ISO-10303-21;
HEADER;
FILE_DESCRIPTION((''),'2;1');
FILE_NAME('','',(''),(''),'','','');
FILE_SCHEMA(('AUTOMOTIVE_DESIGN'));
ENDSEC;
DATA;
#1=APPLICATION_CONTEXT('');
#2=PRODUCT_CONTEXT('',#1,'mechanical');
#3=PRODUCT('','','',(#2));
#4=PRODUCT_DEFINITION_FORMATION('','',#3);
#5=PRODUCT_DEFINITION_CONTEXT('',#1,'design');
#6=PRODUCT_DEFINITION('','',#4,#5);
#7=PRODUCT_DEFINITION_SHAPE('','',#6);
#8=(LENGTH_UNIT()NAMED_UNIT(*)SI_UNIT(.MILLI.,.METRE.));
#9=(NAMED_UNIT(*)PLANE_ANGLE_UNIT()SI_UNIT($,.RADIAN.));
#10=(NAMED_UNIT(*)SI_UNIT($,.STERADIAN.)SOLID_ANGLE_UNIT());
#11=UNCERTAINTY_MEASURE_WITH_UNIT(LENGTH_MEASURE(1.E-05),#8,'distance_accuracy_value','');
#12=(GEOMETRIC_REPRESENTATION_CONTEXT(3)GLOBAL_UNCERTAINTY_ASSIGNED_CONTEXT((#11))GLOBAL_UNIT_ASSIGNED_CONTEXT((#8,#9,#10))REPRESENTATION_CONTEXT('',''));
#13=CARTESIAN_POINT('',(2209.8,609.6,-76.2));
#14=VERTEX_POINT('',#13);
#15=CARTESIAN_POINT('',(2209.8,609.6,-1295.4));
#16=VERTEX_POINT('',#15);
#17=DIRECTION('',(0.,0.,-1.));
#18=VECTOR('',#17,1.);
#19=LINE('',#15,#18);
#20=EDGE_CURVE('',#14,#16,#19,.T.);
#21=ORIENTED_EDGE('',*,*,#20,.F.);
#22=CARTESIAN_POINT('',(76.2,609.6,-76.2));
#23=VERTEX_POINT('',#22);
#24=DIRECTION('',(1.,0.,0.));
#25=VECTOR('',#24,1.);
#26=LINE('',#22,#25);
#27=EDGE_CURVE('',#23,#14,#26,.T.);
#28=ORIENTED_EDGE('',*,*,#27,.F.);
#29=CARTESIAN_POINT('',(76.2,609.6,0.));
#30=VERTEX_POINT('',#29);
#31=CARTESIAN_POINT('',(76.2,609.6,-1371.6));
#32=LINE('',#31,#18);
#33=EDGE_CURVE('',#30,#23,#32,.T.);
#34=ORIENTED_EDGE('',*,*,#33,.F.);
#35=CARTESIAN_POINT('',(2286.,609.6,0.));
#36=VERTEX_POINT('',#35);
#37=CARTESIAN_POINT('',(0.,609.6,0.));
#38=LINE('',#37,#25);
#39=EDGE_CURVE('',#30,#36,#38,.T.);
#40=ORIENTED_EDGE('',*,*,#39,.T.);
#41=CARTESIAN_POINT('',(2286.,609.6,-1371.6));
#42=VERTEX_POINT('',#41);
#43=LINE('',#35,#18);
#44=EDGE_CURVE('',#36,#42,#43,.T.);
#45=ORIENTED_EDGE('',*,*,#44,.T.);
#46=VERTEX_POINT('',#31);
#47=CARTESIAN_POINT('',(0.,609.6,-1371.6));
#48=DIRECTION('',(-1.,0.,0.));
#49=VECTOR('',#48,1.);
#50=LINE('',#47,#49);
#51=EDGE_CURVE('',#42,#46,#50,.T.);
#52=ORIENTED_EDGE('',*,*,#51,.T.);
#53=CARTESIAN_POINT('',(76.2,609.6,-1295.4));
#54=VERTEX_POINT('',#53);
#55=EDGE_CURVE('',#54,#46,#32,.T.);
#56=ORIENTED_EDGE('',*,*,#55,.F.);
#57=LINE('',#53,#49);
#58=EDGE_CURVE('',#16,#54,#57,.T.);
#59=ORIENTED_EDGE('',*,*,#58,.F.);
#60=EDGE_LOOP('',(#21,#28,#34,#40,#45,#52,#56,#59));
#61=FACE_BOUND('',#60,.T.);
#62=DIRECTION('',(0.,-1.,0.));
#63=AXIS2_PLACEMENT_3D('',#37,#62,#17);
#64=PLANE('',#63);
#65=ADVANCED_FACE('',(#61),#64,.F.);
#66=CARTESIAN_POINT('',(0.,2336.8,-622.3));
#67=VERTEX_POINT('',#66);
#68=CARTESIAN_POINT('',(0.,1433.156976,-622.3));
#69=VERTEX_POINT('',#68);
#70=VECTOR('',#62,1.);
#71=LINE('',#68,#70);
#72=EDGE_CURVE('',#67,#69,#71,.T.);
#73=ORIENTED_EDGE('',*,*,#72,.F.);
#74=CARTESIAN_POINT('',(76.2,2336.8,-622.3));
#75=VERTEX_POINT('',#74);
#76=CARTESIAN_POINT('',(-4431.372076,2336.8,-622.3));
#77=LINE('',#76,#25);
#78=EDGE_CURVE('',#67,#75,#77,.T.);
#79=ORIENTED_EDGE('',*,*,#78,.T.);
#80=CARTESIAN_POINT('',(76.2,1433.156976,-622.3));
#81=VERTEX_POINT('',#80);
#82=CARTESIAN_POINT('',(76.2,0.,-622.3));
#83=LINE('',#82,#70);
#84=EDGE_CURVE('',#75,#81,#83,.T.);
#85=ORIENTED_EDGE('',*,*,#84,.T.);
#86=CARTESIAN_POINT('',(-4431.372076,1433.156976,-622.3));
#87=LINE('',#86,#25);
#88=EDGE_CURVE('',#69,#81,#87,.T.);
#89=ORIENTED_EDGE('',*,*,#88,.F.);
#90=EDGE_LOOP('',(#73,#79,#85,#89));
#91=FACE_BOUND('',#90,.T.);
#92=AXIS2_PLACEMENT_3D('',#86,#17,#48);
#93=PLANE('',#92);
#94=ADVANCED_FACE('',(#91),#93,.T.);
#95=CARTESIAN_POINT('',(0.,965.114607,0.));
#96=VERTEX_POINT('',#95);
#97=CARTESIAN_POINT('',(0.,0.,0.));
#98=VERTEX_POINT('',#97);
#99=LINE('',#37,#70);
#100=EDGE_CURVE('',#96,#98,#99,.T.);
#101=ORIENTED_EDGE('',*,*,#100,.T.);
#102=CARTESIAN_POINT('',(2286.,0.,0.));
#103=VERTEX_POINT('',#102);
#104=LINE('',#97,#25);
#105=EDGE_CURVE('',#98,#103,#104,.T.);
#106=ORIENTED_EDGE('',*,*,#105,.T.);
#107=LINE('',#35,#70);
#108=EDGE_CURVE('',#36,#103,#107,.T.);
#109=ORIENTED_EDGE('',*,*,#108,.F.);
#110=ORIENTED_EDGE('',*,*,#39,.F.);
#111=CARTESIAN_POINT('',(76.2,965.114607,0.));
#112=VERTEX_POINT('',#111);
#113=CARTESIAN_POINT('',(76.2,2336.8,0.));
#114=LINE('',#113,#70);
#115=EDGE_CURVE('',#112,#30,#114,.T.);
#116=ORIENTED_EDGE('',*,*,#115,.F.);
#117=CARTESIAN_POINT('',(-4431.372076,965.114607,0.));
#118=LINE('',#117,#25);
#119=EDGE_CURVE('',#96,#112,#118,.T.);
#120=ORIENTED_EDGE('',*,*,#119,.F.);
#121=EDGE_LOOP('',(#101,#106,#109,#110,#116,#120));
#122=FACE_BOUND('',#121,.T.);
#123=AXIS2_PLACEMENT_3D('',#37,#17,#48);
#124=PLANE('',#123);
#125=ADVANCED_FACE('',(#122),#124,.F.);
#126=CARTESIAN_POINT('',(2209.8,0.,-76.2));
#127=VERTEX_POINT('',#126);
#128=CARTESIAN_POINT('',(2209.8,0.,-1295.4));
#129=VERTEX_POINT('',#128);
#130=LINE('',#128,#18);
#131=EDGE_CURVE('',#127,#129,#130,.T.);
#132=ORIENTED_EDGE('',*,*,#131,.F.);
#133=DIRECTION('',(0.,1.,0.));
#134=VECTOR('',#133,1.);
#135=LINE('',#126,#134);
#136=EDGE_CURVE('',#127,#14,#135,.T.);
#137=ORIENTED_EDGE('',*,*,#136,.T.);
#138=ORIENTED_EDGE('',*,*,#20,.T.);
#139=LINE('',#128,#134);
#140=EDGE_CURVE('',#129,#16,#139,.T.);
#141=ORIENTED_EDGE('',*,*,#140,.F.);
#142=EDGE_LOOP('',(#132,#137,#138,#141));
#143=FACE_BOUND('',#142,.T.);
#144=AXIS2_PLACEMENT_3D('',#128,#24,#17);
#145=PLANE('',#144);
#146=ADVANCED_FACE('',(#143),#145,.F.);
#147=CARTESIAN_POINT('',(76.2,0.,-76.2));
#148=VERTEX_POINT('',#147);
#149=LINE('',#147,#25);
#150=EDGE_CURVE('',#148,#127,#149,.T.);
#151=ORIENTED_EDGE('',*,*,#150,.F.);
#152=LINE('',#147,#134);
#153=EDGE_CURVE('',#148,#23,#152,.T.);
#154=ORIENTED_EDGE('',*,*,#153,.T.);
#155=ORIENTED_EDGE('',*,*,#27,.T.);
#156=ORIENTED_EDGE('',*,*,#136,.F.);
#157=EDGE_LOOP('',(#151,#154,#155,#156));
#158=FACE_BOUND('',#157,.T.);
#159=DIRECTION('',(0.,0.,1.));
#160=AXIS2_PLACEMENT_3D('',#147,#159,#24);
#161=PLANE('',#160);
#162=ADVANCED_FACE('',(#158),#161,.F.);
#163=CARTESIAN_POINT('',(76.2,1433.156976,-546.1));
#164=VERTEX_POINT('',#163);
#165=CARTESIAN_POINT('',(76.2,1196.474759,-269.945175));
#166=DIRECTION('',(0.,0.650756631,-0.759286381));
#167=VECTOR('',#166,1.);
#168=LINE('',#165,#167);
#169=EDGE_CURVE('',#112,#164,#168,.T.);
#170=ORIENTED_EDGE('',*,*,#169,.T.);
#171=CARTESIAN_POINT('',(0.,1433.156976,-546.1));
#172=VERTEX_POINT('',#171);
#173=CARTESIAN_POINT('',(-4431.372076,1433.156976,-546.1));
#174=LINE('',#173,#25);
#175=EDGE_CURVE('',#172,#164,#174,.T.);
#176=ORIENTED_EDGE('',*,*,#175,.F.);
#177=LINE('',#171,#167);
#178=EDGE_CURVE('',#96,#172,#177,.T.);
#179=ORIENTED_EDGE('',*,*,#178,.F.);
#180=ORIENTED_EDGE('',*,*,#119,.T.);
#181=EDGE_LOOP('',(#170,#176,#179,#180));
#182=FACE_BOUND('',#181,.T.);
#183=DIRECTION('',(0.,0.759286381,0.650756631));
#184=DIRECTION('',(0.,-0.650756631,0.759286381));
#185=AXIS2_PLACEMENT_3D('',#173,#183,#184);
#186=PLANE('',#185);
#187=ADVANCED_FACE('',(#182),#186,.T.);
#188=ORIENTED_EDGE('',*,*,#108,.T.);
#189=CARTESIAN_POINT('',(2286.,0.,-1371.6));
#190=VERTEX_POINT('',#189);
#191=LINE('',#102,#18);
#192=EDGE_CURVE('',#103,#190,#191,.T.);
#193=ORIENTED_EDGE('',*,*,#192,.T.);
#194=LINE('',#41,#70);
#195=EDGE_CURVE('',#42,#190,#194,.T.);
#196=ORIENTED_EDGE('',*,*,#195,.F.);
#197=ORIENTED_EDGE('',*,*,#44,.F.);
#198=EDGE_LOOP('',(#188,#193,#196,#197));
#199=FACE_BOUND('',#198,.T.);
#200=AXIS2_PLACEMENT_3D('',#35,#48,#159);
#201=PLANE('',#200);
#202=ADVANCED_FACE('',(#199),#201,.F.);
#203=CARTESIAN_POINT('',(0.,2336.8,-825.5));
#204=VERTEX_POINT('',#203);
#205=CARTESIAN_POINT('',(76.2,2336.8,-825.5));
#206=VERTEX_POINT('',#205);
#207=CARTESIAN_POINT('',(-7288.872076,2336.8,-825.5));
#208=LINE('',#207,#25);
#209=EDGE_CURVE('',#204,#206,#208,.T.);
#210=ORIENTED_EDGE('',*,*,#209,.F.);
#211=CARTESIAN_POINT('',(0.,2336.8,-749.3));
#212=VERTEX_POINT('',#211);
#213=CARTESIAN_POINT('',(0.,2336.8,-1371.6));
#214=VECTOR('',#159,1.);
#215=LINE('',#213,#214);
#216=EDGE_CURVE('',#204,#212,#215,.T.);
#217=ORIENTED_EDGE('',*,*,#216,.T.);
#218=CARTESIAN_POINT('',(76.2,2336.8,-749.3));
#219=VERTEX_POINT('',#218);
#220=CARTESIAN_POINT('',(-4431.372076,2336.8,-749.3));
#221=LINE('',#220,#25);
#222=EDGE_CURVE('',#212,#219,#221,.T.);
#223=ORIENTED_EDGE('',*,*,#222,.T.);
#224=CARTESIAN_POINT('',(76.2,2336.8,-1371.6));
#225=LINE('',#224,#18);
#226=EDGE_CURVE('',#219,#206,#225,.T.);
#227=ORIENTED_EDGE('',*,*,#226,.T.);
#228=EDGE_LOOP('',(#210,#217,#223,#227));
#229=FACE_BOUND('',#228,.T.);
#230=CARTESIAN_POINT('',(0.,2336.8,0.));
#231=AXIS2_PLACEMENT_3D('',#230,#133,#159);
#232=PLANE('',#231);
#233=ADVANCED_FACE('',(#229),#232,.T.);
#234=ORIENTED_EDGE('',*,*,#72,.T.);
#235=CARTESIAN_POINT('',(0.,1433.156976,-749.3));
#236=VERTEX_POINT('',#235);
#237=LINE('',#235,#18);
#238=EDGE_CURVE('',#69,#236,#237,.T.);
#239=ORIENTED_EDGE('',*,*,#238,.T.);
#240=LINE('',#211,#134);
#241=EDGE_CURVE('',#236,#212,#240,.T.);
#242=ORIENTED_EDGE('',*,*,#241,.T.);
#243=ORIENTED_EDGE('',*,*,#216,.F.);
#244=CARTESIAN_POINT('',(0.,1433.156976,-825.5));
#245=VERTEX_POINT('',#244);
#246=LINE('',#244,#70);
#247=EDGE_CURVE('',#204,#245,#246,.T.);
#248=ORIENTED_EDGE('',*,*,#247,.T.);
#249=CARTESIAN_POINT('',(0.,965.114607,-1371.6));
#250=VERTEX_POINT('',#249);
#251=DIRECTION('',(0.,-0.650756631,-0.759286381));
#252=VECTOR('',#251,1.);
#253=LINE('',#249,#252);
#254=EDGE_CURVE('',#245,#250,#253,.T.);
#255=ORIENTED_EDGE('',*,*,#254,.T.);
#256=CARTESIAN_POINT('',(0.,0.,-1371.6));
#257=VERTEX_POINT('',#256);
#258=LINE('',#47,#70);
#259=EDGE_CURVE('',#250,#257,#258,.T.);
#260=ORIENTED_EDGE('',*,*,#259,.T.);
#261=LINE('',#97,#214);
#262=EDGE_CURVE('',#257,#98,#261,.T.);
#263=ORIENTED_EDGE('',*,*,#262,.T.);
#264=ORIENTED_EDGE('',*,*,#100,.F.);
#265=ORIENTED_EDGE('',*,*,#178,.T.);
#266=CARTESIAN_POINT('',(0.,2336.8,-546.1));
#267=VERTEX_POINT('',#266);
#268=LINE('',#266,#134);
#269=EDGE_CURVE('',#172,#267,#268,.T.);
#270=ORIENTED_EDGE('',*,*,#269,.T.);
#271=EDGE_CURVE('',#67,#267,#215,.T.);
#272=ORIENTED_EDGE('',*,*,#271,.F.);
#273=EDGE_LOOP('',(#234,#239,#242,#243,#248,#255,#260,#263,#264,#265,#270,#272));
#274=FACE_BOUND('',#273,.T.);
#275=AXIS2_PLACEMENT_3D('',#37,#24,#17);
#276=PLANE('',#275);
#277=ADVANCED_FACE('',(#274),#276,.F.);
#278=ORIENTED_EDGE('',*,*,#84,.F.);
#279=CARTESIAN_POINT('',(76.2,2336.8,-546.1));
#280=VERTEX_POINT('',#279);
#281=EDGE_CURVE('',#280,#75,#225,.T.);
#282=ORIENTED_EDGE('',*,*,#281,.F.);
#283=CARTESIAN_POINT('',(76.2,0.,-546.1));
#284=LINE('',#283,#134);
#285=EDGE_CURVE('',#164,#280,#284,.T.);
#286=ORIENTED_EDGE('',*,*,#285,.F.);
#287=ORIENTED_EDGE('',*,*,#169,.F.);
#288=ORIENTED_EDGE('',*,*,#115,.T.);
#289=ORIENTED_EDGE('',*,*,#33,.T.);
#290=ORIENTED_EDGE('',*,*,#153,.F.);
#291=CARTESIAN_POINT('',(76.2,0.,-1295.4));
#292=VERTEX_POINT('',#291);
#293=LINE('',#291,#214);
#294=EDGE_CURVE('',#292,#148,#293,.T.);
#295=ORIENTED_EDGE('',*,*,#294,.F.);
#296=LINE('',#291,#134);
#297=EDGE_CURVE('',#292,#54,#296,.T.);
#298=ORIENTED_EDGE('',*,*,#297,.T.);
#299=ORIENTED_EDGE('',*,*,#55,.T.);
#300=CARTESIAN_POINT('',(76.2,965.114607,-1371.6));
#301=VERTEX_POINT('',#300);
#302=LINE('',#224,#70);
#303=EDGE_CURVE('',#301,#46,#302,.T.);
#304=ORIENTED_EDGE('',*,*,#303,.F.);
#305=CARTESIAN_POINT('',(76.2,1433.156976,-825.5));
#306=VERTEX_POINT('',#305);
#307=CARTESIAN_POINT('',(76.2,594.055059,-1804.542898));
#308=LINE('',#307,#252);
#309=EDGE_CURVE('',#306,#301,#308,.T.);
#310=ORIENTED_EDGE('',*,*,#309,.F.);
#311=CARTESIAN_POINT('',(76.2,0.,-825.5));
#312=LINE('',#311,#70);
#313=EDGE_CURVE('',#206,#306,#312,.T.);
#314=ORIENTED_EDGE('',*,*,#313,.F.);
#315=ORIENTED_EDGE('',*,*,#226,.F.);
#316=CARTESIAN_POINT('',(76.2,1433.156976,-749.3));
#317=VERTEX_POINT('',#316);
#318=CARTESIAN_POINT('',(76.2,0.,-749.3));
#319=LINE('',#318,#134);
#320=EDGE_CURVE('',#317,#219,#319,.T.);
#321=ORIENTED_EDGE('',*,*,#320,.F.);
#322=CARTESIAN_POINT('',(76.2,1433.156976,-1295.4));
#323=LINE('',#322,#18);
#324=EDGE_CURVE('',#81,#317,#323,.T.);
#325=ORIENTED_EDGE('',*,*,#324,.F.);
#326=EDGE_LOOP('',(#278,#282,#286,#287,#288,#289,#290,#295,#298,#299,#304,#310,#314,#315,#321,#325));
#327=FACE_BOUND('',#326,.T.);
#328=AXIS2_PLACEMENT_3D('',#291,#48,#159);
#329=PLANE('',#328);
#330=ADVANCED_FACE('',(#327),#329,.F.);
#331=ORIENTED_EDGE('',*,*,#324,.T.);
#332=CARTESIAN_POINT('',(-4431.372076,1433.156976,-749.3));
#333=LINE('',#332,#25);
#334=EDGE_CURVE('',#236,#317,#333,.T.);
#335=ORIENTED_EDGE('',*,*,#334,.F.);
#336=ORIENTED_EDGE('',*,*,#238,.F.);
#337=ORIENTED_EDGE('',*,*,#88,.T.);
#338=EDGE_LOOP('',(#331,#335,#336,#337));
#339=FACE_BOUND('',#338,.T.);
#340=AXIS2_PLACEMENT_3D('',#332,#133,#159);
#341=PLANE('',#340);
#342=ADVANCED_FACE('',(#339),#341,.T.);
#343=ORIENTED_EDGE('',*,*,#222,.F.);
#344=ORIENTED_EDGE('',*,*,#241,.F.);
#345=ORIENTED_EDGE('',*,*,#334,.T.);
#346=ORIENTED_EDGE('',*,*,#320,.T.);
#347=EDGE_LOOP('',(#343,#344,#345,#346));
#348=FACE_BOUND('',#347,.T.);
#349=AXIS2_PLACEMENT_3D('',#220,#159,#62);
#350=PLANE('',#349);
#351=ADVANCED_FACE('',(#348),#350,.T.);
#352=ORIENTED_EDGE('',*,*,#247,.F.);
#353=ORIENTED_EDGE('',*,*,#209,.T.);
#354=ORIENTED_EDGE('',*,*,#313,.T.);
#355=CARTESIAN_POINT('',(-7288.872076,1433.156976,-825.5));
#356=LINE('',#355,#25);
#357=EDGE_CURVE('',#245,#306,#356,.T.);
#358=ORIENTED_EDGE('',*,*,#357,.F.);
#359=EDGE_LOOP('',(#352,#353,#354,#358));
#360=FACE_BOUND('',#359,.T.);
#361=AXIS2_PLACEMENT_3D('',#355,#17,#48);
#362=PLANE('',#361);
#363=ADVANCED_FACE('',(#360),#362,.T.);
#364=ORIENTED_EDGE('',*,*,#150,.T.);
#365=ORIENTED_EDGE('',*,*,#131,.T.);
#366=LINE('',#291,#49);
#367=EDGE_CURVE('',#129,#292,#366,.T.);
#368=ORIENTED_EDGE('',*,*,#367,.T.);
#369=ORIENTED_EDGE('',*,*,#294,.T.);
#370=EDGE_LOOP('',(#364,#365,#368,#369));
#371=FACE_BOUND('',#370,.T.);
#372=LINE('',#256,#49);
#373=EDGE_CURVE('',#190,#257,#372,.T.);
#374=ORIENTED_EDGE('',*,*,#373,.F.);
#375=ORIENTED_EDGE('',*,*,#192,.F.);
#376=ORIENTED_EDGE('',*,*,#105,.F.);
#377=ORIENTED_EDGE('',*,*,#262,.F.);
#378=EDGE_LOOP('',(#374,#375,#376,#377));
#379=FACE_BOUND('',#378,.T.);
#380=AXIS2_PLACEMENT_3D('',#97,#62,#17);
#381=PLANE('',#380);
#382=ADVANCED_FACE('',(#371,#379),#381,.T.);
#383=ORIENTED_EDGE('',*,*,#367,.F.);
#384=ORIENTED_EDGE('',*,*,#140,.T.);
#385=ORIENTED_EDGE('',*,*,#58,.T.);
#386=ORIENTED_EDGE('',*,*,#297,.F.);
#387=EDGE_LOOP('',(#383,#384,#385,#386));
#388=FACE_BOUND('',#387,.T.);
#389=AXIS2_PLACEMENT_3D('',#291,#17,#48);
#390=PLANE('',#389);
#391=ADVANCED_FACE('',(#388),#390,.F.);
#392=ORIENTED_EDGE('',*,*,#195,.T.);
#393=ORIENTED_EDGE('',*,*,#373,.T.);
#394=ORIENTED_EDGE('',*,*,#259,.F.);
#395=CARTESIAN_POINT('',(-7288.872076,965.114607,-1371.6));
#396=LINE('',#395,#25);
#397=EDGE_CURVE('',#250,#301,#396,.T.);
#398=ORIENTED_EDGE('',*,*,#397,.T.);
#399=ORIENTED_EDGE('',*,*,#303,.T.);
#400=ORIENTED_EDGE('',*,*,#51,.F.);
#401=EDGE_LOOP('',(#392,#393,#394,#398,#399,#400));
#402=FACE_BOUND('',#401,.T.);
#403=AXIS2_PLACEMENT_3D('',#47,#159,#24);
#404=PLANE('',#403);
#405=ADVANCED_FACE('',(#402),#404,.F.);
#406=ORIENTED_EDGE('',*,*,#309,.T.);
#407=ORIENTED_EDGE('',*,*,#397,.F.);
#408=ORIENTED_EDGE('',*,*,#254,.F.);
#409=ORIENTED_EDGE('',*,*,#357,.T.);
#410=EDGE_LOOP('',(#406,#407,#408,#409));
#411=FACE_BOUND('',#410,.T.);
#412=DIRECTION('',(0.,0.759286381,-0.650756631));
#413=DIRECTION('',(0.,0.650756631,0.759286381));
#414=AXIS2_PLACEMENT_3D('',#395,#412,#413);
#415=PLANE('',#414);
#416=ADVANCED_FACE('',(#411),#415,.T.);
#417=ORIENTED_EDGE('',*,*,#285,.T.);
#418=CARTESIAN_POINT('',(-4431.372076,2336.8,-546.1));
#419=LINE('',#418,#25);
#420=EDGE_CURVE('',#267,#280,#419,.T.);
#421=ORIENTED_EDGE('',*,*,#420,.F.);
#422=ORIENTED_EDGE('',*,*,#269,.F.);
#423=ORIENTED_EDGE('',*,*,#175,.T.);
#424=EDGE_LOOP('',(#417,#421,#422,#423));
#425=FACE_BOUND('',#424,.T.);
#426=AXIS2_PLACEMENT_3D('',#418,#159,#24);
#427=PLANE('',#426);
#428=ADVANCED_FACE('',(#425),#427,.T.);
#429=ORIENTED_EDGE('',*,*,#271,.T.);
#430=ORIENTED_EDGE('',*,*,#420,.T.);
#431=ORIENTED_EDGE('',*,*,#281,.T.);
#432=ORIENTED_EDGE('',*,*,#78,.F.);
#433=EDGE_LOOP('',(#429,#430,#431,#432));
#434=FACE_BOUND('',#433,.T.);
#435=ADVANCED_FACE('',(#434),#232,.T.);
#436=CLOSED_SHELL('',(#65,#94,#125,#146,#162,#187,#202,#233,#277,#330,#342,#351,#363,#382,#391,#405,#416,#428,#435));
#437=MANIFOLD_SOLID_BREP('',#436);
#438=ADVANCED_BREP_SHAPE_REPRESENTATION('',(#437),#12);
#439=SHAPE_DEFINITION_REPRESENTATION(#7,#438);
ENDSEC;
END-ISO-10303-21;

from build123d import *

# Parameters (mm, degrees)
SKETCH1_W               = 2286
SKETCH1_H               = 1371.6
BOSS_EXTRUDE1_DEPTH     = 609.6
SKETCH2_W               = 2133.6
SKETCH2_H               = 1219.2
CUT_EXTRUDE1_DEPTH      = 609.6
SKETCH3_W               = 76.2
SKETCH3_H               = 1371.6
BOSS_EXTRUDE3_DEPTH     = 1727.2
CUT_EXTRUDE2_DEPTH      = 1
CUT_EXTRUDE2_DEPTH_BACK = 1727.2
CUT_EXTRUDE3_DEPTH      = 1
CUT_EXTRUDE3_DEPTH_BACK = 1727.2


with BuildPart() as part:
    # Sketch1 → Boss-Extrude1 (new body)
    with BuildSketch(Plane(origin=(0, 0, 0), x_dir=(1, 0, 0), z_dir=(0, 1, 0))):
        with Locations((1143, 685.8)):
            Rectangle(SKETCH1_W, SKETCH1_H)
    extrude(amount=BOSS_EXTRUDE1_DEPTH)

    # Sketch2 → Cut-Extrude1 (cut)
    with BuildSketch(Plane(origin=(0, 609.6, 0), x_dir=(1, 0, 0), z_dir=(0, 1, 0))):
        with Locations((1143, 685.8)):
            Rectangle(SKETCH2_W, SKETCH2_H)
    extrude(amount=-CUT_EXTRUDE1_DEPTH, mode=Mode.SUBTRACT)

    # Sketch3 → Boss-Extrude3 (add)
    with BuildSketch(Plane(origin=(0, 609.6, 0), x_dir=(1, 0, 0), z_dir=(0, 1, 0))):
        with Locations((38.1, 685.8)):
            Rectangle(SKETCH3_W, SKETCH3_H)
    extrude(amount=BOSS_EXTRUDE3_DEPTH)

    # Sketch4 → Cut-Extrude2 (cut, two sides)
    with BuildSketch(Plane.ZY) as cut_extrude2_sk:
        Polygon((-5142.706542047, -2266.9631031), (-1371.6, 965.114607179), (-825.5, 1433.15697562), (-825.5, 2336.8), (-825.5, 7303.445837661), (-9880.152979292, 11387.995131231), (-14197.359521339, 1817.58619047), align=None)
    extrude(amount=CUT_EXTRUDE2_DEPTH, mode=Mode.SUBTRACT)
    extrude(cut_extrude2_sk.sketch, amount=-CUT_EXTRUDE2_DEPTH_BACK, mode=Mode.SUBTRACT)

    # Sketch5 → Cut-Extrude3 (cut, two sides)
    with BuildSketch(Plane.ZY) as cut_extrude3_sk:
        Polygon((-5792.145837661, 2336.8), (-825.5, 2336.8), (-749.3, 2336.8), (-749.3, 1433.15697562), (-622.3, 1433.15697562), (-622.3, 2336.8), (-546.1, 2336.8), (-546.1, 1433.15697562), (0, 965.114607179), (3771.106542047, -2266.9631031), (8079.741765722, 6683.229409707), (-1483.510613985, 11286.992512807), align=None)
    extrude(amount=CUT_EXTRUDE3_DEPTH, mode=Mode.SUBTRACT)
    extrude(cut_extrude3_sk.sketch, amount=-CUT_EXTRUDE3_DEPTH_BACK, mode=Mode.SUBTRACT)


solid = part.part
